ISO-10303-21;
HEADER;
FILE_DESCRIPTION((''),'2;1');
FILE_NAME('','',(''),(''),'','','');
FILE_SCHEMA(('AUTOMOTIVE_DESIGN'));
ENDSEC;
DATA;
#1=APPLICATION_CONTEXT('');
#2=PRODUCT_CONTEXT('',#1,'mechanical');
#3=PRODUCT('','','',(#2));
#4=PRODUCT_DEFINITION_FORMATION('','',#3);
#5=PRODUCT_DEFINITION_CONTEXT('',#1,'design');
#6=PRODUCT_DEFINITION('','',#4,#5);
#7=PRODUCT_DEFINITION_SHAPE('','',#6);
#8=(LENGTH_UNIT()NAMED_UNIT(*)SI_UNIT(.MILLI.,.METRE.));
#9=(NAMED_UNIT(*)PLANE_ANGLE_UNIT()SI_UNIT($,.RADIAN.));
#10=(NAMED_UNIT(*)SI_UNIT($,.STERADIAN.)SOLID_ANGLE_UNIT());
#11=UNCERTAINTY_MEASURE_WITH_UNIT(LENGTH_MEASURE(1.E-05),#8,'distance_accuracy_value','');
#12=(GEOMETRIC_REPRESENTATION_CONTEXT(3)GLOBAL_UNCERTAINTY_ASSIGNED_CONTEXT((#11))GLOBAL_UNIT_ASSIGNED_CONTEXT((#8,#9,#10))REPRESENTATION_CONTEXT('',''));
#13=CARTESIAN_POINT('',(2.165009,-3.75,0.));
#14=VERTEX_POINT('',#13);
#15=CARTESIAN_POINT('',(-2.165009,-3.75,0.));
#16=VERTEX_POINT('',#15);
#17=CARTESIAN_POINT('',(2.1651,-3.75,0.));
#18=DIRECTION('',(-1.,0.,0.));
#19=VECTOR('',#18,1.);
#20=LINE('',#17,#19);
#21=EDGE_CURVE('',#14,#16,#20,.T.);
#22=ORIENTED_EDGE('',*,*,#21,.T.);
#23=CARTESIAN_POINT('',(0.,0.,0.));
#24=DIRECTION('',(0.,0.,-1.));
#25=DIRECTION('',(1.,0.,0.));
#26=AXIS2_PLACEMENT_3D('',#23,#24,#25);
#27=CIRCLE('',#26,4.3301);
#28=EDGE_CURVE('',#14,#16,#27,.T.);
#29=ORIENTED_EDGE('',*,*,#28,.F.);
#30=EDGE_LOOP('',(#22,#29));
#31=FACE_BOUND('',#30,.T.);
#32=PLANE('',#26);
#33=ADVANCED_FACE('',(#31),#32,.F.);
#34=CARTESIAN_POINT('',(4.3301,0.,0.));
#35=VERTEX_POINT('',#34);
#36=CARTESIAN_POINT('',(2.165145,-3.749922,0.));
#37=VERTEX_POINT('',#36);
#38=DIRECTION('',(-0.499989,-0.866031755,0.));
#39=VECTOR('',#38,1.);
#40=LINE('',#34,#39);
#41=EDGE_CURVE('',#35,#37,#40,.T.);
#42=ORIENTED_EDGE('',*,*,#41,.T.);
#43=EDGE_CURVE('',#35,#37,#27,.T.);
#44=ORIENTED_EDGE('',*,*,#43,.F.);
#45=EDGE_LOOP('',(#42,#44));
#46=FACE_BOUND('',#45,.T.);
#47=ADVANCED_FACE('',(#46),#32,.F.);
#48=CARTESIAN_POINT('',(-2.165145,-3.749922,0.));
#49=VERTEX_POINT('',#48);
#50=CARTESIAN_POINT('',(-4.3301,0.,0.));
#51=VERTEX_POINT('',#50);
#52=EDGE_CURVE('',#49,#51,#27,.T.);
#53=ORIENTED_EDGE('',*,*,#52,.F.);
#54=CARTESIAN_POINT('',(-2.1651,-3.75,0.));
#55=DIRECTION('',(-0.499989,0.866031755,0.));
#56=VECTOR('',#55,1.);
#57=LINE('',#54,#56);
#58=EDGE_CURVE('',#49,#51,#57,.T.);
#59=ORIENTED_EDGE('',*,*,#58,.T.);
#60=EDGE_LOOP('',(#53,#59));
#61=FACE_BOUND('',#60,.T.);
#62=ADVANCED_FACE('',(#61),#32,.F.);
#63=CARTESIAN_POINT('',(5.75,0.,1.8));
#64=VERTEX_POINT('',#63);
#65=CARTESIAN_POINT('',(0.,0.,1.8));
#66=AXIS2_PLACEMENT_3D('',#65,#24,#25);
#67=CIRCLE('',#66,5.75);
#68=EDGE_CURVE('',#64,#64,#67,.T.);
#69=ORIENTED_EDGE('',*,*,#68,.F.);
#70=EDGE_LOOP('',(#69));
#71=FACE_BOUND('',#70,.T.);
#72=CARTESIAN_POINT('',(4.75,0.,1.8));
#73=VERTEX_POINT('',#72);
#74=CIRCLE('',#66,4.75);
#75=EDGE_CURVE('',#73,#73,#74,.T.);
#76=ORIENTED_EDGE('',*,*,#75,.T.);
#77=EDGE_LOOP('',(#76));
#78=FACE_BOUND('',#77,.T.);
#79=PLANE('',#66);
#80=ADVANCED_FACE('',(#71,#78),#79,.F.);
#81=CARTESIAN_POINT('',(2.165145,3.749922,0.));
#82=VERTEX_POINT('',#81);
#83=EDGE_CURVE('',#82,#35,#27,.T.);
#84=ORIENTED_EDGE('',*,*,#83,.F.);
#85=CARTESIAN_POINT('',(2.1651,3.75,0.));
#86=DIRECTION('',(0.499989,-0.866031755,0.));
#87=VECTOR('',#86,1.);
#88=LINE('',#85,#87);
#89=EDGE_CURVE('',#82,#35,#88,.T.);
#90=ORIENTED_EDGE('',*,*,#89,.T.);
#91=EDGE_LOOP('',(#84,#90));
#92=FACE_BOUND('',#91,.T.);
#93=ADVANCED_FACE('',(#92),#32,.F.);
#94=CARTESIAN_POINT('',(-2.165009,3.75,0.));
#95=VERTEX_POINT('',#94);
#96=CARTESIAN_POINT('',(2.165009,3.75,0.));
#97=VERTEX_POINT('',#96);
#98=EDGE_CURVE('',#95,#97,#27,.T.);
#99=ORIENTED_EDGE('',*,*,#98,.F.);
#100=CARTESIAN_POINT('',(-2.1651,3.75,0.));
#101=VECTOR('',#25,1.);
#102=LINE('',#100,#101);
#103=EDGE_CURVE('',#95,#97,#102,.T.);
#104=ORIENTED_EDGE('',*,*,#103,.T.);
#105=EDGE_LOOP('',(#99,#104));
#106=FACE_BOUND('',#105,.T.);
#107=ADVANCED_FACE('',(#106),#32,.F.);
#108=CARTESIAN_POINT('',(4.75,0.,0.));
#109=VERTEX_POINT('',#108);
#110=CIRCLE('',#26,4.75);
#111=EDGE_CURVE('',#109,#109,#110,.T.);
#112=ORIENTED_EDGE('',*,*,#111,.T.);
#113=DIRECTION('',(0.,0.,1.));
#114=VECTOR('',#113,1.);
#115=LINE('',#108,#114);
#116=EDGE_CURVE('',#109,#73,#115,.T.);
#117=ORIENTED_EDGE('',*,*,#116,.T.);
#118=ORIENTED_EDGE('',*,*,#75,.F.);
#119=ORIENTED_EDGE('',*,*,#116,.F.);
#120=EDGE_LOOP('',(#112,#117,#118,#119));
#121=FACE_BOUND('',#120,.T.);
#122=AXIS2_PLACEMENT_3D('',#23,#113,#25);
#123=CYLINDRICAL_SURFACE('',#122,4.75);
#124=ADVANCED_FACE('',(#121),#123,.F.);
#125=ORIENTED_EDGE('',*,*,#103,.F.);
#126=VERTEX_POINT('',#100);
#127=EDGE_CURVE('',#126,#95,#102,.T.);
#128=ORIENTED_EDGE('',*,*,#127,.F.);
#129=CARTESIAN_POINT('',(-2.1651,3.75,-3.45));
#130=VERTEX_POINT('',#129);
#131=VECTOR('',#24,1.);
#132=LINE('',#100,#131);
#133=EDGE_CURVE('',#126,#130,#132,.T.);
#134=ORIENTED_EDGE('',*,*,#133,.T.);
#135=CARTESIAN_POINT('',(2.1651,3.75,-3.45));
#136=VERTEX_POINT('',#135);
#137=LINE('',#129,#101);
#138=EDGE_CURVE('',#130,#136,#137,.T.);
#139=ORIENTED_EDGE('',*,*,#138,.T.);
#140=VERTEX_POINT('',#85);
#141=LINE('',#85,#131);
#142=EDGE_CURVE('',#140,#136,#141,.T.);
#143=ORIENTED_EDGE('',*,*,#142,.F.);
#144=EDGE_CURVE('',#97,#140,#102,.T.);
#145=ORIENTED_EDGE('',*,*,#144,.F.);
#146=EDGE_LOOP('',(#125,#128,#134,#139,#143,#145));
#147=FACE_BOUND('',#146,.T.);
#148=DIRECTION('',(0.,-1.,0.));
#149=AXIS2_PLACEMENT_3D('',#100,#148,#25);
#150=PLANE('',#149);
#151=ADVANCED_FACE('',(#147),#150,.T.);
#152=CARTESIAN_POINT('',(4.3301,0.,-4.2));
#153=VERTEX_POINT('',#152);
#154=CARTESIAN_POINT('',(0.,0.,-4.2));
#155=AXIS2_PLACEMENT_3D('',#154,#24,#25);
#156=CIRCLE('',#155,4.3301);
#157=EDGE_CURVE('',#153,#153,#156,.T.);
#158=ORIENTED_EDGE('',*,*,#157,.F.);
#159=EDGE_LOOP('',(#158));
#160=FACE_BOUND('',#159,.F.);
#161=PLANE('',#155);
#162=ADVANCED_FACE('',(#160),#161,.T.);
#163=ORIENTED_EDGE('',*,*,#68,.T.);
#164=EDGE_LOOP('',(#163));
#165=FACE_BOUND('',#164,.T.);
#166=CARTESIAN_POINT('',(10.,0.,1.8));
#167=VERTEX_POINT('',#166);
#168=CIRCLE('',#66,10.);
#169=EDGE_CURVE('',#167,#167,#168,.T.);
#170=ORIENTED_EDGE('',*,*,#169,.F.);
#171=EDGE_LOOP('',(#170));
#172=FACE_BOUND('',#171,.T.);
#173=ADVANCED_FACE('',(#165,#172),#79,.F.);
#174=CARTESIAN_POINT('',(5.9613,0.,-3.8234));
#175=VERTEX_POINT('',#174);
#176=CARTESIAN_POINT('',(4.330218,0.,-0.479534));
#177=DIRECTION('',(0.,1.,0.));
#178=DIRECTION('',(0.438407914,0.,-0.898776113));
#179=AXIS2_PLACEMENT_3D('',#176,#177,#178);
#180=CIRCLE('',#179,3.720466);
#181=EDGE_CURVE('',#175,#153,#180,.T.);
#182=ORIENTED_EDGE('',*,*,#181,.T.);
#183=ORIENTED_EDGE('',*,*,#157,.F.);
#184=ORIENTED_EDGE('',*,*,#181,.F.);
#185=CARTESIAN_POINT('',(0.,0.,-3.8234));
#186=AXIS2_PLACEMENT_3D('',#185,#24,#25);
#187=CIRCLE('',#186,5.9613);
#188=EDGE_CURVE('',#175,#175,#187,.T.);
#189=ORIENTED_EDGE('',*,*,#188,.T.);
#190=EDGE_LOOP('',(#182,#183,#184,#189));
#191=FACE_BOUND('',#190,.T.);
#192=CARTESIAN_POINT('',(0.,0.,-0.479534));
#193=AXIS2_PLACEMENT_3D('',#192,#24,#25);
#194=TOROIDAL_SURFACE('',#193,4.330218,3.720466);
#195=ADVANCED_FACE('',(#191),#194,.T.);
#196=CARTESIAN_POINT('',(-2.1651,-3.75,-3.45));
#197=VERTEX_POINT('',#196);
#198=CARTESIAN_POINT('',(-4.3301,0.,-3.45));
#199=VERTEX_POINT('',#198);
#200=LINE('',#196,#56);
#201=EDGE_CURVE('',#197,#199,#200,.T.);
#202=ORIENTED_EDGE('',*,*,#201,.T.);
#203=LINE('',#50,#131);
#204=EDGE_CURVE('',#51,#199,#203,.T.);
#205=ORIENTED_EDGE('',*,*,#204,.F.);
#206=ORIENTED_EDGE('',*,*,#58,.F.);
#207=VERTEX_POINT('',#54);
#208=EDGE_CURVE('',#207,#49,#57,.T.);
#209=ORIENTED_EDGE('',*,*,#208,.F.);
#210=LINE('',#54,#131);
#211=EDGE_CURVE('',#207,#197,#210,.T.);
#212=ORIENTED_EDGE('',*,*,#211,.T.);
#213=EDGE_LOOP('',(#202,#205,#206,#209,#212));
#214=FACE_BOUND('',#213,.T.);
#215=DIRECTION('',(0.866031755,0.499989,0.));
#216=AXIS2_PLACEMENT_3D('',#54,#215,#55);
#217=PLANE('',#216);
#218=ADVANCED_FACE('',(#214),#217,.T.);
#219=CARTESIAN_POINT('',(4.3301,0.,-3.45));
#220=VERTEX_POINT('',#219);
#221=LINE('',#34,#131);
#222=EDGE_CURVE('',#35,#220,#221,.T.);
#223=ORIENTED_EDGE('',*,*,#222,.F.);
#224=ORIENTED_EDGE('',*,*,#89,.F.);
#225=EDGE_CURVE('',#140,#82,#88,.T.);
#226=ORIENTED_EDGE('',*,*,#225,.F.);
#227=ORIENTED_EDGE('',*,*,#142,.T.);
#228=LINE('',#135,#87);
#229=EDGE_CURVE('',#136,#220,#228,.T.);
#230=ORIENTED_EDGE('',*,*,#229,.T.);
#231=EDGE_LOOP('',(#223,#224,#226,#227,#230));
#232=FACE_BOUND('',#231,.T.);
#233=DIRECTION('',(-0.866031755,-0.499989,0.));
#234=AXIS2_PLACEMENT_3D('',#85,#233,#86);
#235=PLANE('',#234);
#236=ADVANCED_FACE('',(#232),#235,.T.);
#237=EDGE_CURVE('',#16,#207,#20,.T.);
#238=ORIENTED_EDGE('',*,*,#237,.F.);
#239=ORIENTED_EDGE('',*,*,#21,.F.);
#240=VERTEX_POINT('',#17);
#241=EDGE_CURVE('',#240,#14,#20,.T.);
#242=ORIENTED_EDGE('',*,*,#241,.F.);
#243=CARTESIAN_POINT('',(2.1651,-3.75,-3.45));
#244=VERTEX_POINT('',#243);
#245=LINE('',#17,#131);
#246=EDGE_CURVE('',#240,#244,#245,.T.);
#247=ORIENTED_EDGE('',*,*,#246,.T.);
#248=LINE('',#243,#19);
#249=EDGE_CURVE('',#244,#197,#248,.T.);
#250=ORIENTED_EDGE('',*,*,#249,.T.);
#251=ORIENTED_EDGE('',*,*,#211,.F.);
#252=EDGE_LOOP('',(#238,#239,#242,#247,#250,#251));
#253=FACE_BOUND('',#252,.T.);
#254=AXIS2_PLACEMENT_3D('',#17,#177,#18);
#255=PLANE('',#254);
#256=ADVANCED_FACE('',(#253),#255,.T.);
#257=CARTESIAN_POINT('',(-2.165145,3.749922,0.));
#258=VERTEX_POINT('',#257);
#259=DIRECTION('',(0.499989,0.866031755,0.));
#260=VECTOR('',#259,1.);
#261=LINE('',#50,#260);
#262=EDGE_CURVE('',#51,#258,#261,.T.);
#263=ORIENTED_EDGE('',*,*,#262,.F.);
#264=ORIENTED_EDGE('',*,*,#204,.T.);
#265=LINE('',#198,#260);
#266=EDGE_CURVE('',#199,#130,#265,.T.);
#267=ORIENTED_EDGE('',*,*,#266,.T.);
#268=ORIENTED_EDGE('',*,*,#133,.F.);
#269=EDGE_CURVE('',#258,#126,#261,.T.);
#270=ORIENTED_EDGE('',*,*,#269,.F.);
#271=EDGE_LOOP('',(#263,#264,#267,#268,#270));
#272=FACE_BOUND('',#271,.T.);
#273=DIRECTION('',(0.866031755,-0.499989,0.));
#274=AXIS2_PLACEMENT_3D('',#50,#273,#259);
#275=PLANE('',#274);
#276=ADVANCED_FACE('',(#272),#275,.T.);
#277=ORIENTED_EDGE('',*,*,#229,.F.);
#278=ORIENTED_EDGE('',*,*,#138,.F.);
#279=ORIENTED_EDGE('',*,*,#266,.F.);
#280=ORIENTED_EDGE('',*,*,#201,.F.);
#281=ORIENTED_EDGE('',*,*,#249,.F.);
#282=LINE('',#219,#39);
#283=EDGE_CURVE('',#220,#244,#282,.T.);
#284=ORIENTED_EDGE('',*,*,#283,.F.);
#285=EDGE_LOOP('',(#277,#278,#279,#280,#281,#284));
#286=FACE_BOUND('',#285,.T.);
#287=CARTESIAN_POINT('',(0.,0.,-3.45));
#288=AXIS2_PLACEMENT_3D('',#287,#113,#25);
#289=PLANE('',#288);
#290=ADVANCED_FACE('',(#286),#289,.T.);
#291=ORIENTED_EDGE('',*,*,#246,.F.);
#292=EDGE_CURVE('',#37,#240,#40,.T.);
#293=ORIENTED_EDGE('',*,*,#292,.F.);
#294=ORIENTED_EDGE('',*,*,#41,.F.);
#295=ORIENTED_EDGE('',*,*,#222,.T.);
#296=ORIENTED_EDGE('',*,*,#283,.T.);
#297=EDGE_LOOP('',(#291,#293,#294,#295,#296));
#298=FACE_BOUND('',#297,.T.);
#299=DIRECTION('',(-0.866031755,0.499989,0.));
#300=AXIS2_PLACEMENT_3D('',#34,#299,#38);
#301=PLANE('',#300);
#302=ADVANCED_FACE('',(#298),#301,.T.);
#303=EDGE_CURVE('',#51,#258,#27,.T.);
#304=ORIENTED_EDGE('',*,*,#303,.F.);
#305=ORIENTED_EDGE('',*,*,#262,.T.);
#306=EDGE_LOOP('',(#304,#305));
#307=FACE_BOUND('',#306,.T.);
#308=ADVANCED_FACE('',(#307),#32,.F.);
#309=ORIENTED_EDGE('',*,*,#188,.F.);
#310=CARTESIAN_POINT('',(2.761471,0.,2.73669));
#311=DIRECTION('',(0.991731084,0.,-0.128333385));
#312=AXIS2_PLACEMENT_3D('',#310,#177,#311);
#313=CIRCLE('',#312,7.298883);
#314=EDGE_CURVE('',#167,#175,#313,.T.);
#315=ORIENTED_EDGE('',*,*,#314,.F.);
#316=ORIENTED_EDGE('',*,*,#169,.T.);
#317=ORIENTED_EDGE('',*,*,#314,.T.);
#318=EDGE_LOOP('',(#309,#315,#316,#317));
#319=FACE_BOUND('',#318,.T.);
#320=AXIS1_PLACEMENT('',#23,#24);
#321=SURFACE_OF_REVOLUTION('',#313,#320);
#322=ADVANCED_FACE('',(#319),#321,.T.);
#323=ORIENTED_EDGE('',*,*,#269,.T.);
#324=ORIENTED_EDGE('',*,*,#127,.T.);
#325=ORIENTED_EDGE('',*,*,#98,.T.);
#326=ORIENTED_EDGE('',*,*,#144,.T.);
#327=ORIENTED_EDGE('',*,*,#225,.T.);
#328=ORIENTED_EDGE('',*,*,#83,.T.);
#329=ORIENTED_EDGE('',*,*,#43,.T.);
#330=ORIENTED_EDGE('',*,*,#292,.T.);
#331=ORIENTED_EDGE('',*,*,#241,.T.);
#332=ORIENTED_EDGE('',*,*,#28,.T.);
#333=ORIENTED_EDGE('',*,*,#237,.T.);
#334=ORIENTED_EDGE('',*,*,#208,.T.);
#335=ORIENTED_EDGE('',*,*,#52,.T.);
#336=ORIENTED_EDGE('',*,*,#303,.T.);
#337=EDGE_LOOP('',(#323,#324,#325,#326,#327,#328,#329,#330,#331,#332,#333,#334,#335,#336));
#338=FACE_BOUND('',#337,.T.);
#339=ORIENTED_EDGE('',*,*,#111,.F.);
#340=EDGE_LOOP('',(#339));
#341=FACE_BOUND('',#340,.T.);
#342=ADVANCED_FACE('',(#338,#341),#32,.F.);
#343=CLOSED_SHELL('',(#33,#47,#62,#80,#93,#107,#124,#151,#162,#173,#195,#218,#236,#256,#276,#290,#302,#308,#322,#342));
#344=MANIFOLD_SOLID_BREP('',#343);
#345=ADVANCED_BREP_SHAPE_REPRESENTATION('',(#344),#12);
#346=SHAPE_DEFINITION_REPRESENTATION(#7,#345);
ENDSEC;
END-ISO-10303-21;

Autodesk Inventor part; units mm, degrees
ref_plane "YZ Plane" through (0, 0, 0) normal (1, 0, 0) x (0, 1, 0)
ref_plane "XZ Plane" through (0, 0, 0) normal (0, 1, 0) x (-1, 0, 0)
ref_plane "XY Plane" through (0, 0, 0) normal (0, 0, 1) x (1, 0, 0)
sketch "Sketch1" plane through (0, 0, 0) normal (0, 0, 1) x (1, 0, 0)
  line L0 (0, 0) -> (26.2535, 0) construction
  line L1 (4.3301, 0) -> (2.1651, -3.75)
  line L2 (2.1651, -3.75) -> (-2.1651, -3.75)
  line L3 (-2.1651, -3.75) -> (-4.3301, 0)
  line L4 (-4.3301, 0) -> (-2.1651, 3.75)
  line L5 (-2.1651, 3.75) -> (2.1651, 3.75)
  line L6 (2.1651, 3.75) -> (4.3301, 0)
  circle A0 centre (0, 0) radius 4.75
  circle A1 centre (0, 0) radius 5.75
  dimension "d0" = 7.5
  dimension "d1" = 9.5
  dimension "d2" = 11.5
sketch "Sketch3" plane through (0, 0, 0) normal (0, 1, 0) x (-1, 0, 0)
  line L0 (0, 0) -> (0, -4.2)
  line L1 (5.75, 0) -> (-5.75, 0) projected
  line L2 (0, 0) -> (-26.2535, 0) construction
  line L3 (-5.75, 0) -> (0, 0)
  line L4 (-5.75, 0) -> (-5.75, 1.8)
  line L5 (0, -4.2) -> (-4.3301, -4.2)
  line L6 (-4.3301, 0) -> (-2.1651, 0) projected
  line L7 (-2.1651, 0) -> (-4.3301, 0) projected
  line L8 (-4.3301, -4.2) -> (-4.3301, 0) construction
  line L9 (4.75, 0) -> (-4.75, 0) projected
  line L10 (-5.75, 0) -> (-4.75, 0)
  line L11 (-4.75, 0) -> (-4.75, 1.8)
  line L12 (-4.75, 1.8) -> (-5.75, 1.8)
  line L13 (-5.75, 1.8) -> (-5.75, 0)
  line L14 (-5.75, 1.8) -> (-10, 1.8)
  arc A0 (-5.9613, -3.8234) -> (-4.3301, -4.2) centre (-4.3301, -0.4792) ccw
  arc A1 (-10, 1.8) -> (-5.9613, -3.8234) centre (-2.7617, 2.7366) ccw
  dimension "d3" = 4.2
  dimension "d9" = 1.8
  dimension "d10" = 10
revolve "Revolution1" add sketch "Sketch3" angle 360 about axis through (0, 0, 0) along (0, 0, -1)
extrude "Extrusion1" cut sketch "Sketch1" against normal blind 3.45 contours L1 L2 L3 L4 L5 L6
properties part number "nut_cover1"
